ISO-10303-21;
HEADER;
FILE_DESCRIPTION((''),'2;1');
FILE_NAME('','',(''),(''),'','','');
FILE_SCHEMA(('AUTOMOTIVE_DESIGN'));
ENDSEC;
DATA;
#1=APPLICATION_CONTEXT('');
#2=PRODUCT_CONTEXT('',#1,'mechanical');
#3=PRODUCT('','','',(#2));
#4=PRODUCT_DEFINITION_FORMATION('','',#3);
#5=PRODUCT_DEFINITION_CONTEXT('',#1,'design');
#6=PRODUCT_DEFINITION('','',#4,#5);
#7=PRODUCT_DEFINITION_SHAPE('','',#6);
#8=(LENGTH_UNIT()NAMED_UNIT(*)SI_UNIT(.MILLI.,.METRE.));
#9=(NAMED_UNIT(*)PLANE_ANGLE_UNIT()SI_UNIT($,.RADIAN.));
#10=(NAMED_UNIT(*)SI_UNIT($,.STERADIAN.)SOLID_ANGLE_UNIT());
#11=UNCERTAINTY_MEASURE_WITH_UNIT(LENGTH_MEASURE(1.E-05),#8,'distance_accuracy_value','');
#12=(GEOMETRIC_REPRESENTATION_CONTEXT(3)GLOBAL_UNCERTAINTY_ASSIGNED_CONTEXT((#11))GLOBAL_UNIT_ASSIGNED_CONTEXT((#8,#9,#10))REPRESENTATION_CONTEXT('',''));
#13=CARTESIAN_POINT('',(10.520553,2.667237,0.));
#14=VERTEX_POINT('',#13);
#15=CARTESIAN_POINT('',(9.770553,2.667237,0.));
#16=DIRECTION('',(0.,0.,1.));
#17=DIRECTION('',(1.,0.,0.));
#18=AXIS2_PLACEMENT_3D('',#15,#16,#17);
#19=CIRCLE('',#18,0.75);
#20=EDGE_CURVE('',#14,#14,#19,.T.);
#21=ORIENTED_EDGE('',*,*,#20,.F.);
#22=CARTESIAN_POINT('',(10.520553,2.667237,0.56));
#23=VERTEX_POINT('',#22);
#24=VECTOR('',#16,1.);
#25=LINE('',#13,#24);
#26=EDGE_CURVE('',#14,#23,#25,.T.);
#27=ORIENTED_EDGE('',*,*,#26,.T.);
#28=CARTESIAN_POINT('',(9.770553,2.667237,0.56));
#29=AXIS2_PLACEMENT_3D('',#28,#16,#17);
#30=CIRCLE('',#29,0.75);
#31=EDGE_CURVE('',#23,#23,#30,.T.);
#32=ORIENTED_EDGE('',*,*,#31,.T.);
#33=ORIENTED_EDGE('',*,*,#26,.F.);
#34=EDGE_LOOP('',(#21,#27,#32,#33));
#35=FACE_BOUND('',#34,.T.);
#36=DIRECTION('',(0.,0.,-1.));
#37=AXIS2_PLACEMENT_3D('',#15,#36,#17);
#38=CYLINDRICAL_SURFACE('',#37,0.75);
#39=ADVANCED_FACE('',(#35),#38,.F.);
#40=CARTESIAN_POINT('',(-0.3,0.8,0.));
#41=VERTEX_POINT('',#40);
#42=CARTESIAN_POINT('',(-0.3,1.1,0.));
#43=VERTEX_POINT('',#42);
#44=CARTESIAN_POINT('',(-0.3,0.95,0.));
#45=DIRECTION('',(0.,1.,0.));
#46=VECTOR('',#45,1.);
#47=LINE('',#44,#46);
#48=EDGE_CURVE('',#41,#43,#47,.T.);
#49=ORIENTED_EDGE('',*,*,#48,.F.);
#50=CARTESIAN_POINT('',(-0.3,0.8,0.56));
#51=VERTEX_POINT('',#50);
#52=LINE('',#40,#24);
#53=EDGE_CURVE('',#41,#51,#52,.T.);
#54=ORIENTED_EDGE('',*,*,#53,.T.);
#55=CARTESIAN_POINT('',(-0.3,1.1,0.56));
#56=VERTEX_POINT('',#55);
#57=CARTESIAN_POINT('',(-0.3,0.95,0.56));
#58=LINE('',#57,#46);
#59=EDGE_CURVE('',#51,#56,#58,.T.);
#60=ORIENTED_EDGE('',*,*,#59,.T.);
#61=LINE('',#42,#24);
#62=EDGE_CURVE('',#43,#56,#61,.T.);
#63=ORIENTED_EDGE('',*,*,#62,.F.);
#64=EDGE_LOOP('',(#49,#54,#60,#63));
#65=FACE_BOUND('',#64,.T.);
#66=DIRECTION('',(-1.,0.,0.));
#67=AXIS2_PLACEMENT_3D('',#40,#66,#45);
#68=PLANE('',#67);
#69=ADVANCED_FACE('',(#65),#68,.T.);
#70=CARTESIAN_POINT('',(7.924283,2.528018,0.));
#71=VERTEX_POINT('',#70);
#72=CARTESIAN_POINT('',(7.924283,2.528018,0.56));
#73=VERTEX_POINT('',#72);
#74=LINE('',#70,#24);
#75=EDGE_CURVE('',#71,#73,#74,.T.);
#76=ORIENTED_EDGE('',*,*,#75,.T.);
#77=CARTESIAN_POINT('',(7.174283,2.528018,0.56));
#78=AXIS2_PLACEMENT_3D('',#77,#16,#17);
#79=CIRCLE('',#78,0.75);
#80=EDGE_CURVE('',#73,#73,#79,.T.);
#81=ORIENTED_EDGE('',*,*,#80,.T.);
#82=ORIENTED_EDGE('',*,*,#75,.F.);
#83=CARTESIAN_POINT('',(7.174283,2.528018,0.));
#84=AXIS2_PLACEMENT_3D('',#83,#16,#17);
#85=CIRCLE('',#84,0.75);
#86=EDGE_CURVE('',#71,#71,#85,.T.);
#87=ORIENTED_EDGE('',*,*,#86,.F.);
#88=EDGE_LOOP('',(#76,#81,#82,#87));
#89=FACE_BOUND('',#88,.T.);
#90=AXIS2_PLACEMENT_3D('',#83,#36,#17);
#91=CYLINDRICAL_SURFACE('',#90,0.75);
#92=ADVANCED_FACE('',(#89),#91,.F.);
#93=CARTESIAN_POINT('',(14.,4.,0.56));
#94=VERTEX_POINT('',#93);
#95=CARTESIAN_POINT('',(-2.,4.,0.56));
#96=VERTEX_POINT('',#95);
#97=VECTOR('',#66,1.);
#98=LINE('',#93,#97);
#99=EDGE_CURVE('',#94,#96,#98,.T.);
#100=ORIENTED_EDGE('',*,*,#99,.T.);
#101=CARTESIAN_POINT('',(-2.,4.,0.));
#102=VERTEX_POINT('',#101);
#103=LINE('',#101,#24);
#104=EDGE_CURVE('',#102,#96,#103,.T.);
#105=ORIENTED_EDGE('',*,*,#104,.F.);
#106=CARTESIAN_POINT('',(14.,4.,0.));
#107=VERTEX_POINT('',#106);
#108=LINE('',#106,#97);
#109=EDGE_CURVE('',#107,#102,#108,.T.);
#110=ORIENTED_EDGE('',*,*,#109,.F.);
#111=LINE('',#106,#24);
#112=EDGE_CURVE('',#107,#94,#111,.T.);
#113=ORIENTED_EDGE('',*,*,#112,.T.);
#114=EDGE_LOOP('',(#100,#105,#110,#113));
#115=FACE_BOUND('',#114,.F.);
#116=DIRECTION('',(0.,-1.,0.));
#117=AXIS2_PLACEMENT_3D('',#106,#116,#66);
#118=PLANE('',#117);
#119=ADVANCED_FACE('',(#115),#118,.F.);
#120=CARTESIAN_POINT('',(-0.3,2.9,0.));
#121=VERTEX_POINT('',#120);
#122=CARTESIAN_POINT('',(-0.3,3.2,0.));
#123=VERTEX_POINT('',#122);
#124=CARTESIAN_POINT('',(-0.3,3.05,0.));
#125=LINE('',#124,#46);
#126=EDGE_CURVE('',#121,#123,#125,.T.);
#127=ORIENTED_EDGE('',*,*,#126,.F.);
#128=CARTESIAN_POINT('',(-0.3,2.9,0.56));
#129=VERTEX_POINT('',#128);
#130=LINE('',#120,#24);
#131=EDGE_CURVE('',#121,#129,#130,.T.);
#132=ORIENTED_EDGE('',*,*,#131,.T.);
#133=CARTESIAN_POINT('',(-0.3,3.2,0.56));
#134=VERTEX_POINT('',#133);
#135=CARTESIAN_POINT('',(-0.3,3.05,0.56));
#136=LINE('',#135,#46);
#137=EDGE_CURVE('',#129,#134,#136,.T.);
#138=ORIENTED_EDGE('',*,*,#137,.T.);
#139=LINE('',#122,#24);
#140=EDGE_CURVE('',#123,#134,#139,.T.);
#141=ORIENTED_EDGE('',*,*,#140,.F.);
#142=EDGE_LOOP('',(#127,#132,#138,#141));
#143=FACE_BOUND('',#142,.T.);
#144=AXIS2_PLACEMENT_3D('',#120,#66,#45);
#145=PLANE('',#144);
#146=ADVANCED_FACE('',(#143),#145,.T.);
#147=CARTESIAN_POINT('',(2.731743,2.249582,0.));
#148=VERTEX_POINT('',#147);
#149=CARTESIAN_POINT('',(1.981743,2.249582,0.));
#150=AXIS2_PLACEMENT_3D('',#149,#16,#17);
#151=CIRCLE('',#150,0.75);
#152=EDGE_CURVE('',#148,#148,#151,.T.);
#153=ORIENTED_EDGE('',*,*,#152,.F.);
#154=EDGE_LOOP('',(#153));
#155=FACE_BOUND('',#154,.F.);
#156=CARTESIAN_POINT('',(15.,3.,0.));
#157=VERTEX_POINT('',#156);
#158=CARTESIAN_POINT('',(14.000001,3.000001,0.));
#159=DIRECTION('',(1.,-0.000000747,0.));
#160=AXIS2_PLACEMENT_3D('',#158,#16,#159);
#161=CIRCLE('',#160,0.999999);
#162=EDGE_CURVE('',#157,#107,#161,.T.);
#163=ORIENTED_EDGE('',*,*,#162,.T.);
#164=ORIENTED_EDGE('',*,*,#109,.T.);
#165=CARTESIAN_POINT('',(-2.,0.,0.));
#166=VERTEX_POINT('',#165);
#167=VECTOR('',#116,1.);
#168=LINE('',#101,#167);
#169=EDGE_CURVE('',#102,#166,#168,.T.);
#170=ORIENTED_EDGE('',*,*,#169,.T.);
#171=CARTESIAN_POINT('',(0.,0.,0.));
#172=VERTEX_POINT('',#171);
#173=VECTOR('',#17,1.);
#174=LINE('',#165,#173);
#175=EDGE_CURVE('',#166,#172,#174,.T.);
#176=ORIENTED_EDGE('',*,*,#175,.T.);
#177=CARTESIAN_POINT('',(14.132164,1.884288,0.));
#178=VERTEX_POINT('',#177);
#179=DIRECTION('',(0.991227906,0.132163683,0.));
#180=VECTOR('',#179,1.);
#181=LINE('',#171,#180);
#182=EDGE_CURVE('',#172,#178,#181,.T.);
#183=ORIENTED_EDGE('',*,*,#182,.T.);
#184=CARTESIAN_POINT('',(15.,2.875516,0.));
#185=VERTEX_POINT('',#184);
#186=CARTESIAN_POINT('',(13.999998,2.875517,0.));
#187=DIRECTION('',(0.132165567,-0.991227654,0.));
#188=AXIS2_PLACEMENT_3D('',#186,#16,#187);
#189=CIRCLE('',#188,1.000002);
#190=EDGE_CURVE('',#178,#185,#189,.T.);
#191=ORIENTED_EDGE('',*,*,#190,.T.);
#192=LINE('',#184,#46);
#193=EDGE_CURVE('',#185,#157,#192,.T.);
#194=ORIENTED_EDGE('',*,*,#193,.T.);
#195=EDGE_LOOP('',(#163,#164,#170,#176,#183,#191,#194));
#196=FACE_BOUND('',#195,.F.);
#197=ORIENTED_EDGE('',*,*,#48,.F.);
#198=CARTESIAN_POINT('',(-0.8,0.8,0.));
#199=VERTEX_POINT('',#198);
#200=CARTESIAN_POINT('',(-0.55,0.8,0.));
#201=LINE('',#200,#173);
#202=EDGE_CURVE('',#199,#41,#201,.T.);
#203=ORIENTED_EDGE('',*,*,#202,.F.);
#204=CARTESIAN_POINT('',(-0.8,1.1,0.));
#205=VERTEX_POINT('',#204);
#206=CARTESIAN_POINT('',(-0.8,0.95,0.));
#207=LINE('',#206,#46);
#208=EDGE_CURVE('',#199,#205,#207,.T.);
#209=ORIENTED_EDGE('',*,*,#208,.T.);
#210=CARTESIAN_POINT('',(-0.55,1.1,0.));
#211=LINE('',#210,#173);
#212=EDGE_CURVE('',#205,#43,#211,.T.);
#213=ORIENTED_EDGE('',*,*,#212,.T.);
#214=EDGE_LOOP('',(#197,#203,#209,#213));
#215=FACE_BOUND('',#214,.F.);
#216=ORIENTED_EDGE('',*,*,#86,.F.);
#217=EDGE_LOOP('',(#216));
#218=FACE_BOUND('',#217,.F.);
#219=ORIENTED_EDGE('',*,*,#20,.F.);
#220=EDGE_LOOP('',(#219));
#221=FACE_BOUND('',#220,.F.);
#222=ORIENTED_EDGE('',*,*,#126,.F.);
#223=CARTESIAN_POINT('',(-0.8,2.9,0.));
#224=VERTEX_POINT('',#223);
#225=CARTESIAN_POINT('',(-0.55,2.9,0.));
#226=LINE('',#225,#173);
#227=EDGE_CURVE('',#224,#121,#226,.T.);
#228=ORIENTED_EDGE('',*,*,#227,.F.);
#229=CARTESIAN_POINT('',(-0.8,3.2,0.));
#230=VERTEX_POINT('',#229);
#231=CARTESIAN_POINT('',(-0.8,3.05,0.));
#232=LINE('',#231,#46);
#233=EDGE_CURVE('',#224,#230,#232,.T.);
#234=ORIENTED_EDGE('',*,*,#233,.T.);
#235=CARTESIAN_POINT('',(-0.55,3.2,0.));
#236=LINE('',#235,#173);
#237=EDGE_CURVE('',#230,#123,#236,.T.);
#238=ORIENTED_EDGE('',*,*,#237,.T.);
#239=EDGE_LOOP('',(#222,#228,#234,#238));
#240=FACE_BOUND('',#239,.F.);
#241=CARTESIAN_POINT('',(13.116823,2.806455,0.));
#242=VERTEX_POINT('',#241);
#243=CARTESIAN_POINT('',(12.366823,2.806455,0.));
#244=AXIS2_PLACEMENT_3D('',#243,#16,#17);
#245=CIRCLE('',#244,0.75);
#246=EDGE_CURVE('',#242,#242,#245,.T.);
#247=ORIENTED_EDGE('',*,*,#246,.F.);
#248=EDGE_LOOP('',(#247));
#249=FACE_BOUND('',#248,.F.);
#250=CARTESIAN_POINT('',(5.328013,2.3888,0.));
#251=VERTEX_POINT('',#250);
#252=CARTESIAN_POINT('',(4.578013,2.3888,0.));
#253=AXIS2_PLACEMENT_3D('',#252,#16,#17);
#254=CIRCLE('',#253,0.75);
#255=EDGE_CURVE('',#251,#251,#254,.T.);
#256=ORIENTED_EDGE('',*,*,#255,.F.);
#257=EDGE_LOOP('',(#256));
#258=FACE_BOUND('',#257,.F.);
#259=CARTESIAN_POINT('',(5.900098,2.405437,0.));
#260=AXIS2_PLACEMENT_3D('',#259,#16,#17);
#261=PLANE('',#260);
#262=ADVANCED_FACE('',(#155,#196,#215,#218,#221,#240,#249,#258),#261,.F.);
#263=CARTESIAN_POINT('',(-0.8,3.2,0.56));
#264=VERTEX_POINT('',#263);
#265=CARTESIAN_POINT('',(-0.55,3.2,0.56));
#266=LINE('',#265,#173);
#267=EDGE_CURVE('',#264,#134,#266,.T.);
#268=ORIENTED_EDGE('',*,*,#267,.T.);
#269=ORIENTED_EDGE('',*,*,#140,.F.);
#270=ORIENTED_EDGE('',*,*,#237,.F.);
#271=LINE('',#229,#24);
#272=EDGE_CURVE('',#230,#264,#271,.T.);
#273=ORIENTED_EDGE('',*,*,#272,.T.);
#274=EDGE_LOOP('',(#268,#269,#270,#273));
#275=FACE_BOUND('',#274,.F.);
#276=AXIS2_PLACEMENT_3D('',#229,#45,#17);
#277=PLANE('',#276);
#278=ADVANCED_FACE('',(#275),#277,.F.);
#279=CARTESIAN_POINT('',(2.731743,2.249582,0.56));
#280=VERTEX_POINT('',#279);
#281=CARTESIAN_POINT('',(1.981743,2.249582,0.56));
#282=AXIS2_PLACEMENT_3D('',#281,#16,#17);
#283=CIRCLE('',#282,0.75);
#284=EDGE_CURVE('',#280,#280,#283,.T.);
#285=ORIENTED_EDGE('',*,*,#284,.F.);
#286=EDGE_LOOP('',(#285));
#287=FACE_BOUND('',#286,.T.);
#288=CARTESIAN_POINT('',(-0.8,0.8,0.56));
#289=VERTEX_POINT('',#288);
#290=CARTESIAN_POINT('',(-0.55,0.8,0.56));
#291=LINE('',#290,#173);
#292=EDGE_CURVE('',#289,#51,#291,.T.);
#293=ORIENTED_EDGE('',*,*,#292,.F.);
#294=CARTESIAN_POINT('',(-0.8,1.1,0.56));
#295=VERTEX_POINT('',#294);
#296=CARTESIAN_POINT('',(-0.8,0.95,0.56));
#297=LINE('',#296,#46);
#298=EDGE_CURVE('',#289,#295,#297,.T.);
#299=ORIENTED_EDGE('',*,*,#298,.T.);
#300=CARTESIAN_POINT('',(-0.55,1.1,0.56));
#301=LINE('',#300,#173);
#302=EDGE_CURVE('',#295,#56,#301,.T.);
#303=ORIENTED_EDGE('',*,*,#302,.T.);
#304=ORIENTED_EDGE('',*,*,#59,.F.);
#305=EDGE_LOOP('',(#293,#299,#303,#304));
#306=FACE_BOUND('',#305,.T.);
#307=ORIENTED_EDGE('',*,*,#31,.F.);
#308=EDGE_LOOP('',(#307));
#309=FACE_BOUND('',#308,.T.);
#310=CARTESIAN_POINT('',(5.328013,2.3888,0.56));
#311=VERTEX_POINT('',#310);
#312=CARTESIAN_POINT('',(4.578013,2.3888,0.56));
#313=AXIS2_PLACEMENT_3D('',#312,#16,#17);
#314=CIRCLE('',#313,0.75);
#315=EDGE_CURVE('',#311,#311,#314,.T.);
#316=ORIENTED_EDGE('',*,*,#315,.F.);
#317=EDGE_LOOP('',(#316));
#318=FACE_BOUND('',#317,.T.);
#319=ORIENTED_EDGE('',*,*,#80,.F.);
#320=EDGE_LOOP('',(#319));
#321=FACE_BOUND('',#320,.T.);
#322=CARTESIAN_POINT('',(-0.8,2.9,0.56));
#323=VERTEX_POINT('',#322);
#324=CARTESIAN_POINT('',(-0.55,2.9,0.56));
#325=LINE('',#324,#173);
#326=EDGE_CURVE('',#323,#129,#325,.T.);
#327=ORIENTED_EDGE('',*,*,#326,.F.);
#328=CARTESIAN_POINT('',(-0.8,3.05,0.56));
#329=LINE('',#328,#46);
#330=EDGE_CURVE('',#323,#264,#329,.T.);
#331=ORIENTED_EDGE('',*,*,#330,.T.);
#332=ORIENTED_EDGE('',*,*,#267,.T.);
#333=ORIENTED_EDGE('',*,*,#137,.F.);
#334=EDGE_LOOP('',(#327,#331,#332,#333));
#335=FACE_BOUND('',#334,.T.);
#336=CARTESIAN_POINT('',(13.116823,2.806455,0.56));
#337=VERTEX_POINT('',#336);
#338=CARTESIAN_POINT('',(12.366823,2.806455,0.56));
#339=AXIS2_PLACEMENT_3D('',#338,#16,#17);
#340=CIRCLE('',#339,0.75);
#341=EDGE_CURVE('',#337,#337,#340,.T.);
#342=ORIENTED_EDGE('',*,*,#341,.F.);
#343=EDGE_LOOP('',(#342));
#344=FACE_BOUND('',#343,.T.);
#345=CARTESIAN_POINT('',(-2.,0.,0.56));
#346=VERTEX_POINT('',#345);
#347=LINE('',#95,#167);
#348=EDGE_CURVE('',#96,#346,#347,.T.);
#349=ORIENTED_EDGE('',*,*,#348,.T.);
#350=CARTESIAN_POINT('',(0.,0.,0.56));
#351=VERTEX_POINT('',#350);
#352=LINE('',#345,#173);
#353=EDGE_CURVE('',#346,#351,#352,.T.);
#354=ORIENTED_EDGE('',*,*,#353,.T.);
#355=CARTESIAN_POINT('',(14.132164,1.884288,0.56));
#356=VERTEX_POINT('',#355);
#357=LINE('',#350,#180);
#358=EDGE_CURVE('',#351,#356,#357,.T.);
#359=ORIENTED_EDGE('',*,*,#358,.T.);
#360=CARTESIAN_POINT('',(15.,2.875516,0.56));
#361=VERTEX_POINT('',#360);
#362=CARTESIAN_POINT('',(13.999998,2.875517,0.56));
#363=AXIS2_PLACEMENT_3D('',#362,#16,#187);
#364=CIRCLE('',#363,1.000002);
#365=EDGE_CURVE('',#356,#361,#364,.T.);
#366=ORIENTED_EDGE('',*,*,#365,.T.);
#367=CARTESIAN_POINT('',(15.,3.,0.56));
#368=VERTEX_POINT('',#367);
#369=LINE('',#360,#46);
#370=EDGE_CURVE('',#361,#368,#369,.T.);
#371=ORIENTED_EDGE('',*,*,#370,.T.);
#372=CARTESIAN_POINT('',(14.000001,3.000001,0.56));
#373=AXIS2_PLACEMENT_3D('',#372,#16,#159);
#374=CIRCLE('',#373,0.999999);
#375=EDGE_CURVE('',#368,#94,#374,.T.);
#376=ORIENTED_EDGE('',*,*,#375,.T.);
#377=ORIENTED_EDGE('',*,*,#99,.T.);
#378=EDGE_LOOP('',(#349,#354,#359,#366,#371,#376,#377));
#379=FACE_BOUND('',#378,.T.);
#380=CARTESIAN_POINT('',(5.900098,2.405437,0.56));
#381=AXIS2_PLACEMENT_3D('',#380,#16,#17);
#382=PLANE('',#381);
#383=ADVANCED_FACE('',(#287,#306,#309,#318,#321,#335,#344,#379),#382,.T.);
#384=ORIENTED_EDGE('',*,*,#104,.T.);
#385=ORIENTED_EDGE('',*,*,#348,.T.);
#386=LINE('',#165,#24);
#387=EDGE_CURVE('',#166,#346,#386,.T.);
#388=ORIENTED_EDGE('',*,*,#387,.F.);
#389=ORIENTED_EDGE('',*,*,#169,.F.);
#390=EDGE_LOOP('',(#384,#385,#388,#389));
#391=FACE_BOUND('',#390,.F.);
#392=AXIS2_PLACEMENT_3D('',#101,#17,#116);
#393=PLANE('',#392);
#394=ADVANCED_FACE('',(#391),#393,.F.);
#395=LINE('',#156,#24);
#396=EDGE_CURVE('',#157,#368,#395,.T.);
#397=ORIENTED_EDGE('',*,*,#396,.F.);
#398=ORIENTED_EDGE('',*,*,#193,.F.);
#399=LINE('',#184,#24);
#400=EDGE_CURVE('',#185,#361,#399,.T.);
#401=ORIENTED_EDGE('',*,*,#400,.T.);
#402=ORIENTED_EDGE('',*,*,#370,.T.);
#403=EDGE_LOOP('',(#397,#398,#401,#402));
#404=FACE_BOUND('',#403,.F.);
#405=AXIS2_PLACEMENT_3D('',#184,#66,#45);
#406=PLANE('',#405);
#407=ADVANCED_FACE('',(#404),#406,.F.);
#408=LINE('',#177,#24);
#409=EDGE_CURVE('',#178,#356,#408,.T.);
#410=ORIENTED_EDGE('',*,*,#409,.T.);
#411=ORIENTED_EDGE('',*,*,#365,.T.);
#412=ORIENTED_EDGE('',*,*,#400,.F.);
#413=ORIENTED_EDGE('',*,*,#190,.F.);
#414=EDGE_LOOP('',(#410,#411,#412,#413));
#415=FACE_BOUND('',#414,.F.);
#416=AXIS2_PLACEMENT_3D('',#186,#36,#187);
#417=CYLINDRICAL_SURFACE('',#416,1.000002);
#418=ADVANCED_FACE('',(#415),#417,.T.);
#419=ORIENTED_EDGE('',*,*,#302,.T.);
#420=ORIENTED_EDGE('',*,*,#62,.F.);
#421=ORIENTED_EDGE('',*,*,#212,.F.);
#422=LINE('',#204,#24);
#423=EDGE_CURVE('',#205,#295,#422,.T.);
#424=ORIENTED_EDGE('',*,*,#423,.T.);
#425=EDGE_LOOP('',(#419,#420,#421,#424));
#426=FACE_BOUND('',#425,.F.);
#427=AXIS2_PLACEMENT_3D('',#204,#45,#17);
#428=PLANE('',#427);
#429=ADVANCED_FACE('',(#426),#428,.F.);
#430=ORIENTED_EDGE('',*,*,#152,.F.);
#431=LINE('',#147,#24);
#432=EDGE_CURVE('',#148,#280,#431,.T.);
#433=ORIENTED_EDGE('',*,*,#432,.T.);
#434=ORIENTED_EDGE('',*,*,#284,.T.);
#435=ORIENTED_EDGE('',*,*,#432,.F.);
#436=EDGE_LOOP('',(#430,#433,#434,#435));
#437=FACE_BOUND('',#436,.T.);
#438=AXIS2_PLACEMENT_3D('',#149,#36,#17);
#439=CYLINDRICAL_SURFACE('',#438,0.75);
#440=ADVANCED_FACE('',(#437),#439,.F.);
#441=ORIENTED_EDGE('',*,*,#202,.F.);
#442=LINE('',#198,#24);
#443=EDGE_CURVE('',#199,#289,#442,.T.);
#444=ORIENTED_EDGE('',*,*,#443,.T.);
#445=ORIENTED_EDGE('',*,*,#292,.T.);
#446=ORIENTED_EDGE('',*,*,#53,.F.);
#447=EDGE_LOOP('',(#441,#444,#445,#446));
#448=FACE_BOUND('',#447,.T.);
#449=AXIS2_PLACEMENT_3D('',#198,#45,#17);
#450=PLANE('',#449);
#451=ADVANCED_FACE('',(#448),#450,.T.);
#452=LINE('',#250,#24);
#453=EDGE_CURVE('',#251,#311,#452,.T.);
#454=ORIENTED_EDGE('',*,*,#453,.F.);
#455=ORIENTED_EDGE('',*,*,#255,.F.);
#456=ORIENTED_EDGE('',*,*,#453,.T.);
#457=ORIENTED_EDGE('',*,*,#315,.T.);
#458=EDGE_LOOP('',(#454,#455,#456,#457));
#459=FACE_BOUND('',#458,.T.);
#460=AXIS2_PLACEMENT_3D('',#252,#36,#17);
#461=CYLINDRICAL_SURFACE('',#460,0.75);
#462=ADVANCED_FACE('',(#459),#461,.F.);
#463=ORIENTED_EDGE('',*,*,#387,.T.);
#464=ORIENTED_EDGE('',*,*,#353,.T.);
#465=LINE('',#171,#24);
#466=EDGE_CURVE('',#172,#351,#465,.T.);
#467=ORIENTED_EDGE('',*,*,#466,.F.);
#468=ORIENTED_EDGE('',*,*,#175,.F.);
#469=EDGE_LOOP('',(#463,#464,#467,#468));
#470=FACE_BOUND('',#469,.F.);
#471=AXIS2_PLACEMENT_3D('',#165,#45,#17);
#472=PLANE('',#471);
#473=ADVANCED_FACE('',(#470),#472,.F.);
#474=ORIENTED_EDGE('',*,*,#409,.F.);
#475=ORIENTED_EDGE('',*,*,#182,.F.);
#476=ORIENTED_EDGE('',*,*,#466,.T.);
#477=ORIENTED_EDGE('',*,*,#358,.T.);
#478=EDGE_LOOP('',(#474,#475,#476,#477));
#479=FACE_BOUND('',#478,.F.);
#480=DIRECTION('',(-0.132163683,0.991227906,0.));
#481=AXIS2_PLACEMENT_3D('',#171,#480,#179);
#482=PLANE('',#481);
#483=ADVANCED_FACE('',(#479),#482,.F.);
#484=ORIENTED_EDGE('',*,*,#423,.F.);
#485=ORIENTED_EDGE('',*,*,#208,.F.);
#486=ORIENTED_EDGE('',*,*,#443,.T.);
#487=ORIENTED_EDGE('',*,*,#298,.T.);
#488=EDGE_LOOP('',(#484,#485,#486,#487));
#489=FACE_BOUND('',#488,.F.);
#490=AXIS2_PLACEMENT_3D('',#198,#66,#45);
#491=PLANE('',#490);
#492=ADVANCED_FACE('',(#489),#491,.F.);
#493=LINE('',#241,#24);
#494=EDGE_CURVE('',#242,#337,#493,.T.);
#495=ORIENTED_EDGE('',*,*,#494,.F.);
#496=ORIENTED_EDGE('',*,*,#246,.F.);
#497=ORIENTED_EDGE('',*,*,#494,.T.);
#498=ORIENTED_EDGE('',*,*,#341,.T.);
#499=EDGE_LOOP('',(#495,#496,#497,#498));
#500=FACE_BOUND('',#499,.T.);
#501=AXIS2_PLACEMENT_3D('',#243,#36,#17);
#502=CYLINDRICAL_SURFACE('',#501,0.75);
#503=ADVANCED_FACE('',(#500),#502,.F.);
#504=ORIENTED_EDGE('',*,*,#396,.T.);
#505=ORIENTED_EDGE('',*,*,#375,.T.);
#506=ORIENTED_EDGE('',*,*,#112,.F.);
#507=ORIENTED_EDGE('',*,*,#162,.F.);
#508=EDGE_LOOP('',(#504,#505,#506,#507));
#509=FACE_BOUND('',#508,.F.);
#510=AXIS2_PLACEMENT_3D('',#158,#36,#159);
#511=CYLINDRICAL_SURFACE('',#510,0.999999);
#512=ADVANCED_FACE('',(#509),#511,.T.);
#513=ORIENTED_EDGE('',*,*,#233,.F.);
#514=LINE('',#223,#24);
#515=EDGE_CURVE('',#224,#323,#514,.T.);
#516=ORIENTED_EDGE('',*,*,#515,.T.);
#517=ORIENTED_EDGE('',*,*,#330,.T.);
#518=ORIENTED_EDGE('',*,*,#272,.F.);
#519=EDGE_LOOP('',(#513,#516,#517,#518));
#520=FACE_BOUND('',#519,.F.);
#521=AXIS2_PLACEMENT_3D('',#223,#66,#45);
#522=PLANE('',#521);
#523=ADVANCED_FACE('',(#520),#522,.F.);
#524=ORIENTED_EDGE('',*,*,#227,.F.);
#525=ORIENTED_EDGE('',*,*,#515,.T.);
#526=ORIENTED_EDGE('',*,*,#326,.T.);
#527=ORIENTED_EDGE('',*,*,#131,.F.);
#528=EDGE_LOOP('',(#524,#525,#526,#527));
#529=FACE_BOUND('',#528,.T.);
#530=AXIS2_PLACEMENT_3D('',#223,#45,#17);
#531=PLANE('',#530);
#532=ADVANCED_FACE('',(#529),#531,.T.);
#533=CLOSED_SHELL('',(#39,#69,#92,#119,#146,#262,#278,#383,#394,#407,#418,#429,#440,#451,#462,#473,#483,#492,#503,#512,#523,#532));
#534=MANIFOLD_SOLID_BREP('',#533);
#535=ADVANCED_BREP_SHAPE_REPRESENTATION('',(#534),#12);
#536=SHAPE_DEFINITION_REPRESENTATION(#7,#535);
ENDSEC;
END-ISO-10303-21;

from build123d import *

# Parameters (mm, degrees)
F0_W     = 0.5
F0_H     = 0.3
F0_R     = 0.75
F1_DEPTH = 0.56


with BuildPart() as f1:
    # F0 (on Top) → F1 (new body)
    with BuildSketch(Plane.XY):
        with BuildLine():
            Line((14, 4), (0, 4))
            Line((0, 4), (-2, 4))
            Line((-2, 4), (-2, 0))
            Line((-2, 0), (0, 0))
            Line((0, 0), (14.132164, 1.884288))
            ThreePointArc((14.132164, 1.884288), (14.752384, 2.216792), (15, 2.875516))
            Line((15, 2.875516), (15, 3))
            ThreePointArc((15, 3), (14.707107, 3.707107), (14, 4))
        make_face()
        with Locations((-0.55, 0.95)):
            Rectangle(F0_W, F0_H, mode=Mode.SUBTRACT)
        with Locations((1.981743, 2.249582)):
            Circle(F0_R, mode=Mode.SUBTRACT)
        with Locations((4.578013, 2.3888)):
            Circle(F0_R, mode=Mode.SUBTRACT)
        with Locations((-0.55, 3.05)):
            Rectangle(F0_W, F0_H, mode=Mode.SUBTRACT)
        with Locations((7.174283, 2.528018)):
            Circle(F0_R, mode=Mode.SUBTRACT)
        with Locations((9.770553, 2.667237)):
            Circle(F0_R, mode=Mode.SUBTRACT)
        with Locations((12.366823, 2.806455)):
            Circle(F0_R, mode=Mode.SUBTRACT)
    extrude(amount=F1_DEPTH)


solid = f1.part
